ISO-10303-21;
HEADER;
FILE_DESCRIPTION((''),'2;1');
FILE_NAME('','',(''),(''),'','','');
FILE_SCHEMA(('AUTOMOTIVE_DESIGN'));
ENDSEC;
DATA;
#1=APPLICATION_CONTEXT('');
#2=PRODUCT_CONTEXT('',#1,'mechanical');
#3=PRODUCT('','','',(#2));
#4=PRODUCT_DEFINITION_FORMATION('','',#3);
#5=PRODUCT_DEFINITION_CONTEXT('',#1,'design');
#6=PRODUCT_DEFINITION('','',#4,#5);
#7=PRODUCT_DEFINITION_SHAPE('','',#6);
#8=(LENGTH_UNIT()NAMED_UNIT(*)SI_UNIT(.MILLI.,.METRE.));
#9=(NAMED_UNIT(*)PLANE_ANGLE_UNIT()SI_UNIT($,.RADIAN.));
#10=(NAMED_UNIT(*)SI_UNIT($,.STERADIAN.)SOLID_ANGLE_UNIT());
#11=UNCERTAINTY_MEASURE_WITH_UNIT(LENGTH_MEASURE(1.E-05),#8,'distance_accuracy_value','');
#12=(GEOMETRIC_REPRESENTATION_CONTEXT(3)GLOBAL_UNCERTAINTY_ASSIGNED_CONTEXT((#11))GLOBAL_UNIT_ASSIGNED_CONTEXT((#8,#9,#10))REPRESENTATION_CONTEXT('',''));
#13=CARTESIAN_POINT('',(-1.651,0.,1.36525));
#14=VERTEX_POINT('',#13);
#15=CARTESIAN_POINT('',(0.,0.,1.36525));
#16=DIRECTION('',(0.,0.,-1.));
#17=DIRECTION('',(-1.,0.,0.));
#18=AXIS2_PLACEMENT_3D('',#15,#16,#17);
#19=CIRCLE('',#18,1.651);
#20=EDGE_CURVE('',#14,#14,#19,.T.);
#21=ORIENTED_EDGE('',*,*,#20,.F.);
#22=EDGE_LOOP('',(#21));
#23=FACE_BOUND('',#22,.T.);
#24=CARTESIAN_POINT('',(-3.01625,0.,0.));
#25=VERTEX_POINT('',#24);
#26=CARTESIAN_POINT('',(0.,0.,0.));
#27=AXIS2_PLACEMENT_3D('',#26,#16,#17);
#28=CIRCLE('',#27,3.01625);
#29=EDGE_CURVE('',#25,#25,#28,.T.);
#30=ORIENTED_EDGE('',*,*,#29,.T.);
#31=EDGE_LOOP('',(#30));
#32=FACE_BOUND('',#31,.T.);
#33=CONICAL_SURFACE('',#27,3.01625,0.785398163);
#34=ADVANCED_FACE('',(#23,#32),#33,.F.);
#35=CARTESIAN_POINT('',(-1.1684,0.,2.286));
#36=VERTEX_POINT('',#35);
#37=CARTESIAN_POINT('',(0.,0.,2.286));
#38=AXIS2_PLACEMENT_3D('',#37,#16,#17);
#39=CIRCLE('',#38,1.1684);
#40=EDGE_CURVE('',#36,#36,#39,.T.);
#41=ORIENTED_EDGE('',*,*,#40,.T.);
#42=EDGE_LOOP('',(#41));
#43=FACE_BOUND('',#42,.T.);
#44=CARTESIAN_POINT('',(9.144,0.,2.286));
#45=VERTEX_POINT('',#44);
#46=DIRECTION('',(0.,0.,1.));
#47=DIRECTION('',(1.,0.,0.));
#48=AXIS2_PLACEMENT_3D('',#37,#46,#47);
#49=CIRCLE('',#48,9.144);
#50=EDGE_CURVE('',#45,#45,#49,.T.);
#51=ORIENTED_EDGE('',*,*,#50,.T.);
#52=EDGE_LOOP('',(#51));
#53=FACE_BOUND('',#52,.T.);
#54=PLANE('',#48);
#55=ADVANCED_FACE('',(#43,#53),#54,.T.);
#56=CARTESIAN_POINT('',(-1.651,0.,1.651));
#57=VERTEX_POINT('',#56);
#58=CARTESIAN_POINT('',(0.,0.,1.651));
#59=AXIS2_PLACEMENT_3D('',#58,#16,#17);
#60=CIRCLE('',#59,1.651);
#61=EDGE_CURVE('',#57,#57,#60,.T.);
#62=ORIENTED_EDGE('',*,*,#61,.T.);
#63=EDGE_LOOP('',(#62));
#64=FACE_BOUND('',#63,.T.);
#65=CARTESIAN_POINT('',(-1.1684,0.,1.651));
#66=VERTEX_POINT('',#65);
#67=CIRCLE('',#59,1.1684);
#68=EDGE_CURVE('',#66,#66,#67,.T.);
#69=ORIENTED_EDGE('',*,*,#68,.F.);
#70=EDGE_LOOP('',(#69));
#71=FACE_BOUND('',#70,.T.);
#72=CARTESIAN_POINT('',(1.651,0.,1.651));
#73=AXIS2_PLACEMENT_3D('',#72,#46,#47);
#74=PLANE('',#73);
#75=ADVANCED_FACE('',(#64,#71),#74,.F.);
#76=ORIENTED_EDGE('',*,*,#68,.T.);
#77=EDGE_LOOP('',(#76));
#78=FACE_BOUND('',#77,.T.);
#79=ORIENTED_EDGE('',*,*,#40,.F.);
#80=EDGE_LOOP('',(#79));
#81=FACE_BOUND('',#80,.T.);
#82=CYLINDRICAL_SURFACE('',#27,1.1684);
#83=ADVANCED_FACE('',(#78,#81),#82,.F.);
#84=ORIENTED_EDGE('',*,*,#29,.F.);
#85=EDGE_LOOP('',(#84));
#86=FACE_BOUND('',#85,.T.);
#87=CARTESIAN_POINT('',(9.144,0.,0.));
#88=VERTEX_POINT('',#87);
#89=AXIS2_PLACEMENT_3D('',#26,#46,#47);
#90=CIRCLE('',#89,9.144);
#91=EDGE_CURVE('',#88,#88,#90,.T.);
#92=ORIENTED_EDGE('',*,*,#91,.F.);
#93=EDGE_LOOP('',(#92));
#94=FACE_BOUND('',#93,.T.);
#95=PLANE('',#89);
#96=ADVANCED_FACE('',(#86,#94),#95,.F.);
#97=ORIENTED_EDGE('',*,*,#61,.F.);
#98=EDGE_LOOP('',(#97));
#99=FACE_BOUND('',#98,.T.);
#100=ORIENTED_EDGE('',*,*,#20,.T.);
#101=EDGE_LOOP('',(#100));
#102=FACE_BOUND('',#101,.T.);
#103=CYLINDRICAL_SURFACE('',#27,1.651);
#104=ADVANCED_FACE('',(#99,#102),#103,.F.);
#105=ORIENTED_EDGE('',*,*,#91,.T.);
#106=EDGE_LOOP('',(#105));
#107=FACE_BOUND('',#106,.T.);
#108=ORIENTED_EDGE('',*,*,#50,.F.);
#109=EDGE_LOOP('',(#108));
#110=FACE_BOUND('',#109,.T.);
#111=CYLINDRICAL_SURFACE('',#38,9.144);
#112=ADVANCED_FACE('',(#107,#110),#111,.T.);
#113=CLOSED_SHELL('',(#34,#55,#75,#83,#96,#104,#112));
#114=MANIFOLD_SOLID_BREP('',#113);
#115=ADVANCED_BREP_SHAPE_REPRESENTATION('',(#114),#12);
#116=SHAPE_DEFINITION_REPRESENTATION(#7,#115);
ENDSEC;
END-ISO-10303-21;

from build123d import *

# Parameters (mm, degrees)
SKETCH1_R           = 9.144
BOSS_EXTRUDE1_DEPTH = 2.286


with BuildPart() as part:
    # Sketch1 → Boss-Extrude1 (new body)
    with BuildSketch(Plane.XY):
        Circle(SKETCH1_R)
    extrude(amount=BOSS_EXTRUDE1_DEPTH)

    # Sketch7 → CBORE for #1 Binding Head Machine Screw2 (revolve, cut)
    with BuildSketch(Plane.YZ):
        Polygon((0, 0), (0, 2.286), (1.1684, 2.286), (1.1684, 1.651), (1.651, 1.651), (1.651, 1.36525), (3.01625, 0), align=None)
    revolve(axis=Axis((0, 0, -6.35), (0, 0, 1)), mode=Mode.SUBTRACT)


solid = part.part
